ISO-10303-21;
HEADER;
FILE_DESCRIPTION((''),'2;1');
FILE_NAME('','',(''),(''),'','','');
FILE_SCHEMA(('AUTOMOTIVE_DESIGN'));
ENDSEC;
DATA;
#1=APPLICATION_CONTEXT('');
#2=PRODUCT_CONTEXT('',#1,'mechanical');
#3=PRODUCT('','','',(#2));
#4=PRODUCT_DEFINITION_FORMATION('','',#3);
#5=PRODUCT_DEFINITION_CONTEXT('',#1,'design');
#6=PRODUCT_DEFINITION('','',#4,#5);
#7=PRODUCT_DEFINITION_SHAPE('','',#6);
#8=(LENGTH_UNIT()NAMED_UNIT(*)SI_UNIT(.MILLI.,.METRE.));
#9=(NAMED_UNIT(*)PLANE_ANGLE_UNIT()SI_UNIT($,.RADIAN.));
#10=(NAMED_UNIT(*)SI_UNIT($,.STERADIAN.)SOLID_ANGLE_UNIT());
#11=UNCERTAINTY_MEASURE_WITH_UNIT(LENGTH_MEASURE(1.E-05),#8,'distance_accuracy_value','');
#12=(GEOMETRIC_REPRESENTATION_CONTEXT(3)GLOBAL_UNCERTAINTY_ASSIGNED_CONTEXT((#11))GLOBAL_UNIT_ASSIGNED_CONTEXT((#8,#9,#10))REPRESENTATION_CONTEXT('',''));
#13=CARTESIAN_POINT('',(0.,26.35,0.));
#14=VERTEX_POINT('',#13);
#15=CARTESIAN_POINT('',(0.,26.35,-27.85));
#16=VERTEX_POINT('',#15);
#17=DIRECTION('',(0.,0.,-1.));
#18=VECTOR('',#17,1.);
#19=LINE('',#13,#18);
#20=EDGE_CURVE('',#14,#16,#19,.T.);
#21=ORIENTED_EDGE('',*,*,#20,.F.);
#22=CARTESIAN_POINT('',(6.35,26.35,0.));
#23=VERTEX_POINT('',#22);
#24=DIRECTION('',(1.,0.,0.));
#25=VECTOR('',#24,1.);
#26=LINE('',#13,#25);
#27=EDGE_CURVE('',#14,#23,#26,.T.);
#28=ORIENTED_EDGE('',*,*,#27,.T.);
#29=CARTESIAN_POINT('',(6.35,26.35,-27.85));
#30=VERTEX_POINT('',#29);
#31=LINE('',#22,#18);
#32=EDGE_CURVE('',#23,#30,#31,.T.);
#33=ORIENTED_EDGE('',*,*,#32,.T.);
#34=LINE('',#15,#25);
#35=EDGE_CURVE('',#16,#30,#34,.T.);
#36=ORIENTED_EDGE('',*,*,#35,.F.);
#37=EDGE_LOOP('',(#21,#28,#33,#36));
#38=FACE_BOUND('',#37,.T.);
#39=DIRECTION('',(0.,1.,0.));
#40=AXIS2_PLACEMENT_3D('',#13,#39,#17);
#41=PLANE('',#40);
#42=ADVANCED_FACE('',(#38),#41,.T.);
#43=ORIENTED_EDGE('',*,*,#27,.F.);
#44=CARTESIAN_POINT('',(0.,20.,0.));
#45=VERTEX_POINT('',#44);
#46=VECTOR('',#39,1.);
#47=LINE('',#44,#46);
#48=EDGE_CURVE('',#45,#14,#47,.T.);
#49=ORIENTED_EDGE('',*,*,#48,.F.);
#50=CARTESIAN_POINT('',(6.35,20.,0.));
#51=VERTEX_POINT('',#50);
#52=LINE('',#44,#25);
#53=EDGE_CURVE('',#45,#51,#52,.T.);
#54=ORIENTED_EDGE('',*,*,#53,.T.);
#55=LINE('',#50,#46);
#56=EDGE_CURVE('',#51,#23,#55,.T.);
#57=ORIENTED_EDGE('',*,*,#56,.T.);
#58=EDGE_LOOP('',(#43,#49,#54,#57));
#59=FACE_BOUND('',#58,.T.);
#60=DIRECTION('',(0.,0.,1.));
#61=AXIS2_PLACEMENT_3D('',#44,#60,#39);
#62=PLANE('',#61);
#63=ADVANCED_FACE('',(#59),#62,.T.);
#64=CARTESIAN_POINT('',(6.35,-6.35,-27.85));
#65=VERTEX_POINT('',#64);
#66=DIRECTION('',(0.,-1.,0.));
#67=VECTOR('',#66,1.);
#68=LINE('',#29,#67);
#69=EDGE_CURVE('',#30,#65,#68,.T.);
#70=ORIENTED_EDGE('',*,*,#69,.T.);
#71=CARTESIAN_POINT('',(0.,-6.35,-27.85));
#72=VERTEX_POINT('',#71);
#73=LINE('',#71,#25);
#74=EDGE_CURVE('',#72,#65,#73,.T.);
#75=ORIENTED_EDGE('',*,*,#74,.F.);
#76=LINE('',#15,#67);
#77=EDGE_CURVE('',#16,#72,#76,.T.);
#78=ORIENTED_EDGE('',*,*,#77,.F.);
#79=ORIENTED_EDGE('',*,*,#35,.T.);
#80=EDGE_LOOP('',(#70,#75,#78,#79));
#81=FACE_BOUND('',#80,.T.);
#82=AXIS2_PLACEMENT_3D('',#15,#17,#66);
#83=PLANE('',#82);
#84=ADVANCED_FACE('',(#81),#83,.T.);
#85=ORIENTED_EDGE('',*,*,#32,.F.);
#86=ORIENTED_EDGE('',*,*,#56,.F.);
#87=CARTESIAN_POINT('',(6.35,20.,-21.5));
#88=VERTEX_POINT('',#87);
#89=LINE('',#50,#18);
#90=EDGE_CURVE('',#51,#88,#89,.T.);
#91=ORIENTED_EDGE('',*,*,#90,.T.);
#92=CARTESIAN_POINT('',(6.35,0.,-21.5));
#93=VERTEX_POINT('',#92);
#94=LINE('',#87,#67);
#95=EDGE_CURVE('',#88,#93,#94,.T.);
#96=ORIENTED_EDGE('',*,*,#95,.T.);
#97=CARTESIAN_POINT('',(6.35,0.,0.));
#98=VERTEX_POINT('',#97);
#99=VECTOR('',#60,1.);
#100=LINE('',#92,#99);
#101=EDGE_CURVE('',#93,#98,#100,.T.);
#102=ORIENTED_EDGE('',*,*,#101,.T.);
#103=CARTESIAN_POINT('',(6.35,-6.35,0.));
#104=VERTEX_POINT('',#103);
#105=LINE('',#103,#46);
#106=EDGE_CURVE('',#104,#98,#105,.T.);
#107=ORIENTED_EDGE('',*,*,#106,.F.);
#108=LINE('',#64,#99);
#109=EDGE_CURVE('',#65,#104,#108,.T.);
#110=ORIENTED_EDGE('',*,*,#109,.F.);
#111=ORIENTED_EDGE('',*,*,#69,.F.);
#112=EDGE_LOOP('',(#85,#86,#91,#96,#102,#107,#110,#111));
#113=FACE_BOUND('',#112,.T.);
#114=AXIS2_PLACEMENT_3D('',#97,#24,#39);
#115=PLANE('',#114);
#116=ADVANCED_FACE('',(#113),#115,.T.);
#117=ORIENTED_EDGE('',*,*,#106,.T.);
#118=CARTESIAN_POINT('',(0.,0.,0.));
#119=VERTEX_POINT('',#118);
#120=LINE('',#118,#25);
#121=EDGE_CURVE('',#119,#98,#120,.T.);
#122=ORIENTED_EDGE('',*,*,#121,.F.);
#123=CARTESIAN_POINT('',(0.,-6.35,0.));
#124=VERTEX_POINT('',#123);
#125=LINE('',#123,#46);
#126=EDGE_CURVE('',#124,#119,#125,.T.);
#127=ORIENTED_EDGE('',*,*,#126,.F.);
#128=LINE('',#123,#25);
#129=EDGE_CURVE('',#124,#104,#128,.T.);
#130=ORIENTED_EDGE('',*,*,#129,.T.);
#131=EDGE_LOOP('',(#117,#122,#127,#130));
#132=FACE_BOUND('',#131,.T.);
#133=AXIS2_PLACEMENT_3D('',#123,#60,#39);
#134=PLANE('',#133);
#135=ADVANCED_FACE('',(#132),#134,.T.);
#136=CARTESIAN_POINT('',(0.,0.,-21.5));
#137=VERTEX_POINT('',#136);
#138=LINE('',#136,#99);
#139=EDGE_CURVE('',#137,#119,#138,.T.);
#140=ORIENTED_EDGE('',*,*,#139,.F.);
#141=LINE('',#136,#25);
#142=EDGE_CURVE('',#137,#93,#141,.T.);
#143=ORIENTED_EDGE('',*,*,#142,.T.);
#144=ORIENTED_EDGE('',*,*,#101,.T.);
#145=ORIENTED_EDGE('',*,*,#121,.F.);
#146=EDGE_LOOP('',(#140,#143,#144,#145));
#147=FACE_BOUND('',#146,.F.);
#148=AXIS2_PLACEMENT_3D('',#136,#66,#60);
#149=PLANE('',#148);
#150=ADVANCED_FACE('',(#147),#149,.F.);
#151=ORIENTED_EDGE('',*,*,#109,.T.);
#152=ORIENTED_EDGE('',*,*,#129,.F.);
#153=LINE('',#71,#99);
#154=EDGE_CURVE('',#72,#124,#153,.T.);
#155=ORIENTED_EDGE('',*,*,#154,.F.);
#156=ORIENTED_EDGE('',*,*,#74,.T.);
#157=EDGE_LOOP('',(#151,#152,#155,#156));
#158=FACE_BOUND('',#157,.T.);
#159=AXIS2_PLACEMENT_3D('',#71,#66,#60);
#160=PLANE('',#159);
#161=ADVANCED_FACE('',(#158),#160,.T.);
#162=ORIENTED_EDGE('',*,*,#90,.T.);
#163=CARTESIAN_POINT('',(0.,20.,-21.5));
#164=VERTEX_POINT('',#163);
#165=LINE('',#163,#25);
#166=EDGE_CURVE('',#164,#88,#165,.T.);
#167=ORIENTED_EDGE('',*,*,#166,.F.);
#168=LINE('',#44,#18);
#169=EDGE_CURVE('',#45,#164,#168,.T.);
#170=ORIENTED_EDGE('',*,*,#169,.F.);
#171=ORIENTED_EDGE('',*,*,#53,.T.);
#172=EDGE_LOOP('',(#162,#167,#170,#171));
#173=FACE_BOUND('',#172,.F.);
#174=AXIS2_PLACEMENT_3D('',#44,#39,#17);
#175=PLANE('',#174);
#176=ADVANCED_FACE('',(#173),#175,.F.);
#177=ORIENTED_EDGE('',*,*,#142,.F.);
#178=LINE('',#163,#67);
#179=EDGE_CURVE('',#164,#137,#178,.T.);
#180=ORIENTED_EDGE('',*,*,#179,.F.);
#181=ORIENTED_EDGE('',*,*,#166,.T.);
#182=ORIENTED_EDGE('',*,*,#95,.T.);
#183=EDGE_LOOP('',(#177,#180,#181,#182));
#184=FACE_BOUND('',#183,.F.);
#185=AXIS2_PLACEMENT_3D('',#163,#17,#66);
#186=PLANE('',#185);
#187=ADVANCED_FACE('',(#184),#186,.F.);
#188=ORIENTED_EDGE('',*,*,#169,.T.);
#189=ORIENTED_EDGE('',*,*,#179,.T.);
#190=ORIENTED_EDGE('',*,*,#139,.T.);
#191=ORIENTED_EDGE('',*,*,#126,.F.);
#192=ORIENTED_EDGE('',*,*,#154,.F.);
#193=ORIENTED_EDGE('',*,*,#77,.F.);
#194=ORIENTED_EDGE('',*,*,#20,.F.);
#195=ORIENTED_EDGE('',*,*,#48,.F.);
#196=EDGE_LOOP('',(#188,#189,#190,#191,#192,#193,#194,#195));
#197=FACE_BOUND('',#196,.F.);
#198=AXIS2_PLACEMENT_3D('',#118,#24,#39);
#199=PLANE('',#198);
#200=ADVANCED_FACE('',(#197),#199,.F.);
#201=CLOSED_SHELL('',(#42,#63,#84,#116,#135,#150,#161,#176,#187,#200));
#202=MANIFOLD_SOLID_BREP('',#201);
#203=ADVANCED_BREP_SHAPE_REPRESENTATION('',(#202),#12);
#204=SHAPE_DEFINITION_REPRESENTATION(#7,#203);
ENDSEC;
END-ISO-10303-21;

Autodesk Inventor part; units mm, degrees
ref_plane "YZ Plane" through (0, 0, 0) normal (1, 0, 0) x (0, 1, 0)
ref_plane "XZ Plane" through (0, 0, 0) normal (0, 1, 0) x (-1, 0, 0)
ref_plane "XY Plane" through (0, 0, 0) normal (0, 0, 1) x (1, 0, 0)
sketch "Sketch1" plane through (0, 0, 0) normal (1, 0, 0) x (0, 1, 0)
  line L0 (0, 0) -> (20, 0) construction
  line L1 (20, 0) -> (20, -21.5)
  line L2 (20, -21.5) -> (0, -21.5)
  line L3 (0, -21.5) -> (0, 0)
  line L4 (20, 0) -> (26.35, 0)
  line L5 (26.35, 0) -> (26.35, -27.85)
  line L6 (-6.35, -27.85) -> (-6.35, 0)
  line L7 (-6.35, 0) -> (0, 0)
  line L8 (26.35, -27.85) -> (-6.35, -27.85)
  dimension "d0" = 20
  dimension "d1" = 21.5
  dimension "d4" = 6.35
  dimension "d23" = 6.35
  dimension "d24" = 6.35
extrude "Extrusion1" add sketch "Sketch1" along normal blind 6.35
properties part number "Main"
